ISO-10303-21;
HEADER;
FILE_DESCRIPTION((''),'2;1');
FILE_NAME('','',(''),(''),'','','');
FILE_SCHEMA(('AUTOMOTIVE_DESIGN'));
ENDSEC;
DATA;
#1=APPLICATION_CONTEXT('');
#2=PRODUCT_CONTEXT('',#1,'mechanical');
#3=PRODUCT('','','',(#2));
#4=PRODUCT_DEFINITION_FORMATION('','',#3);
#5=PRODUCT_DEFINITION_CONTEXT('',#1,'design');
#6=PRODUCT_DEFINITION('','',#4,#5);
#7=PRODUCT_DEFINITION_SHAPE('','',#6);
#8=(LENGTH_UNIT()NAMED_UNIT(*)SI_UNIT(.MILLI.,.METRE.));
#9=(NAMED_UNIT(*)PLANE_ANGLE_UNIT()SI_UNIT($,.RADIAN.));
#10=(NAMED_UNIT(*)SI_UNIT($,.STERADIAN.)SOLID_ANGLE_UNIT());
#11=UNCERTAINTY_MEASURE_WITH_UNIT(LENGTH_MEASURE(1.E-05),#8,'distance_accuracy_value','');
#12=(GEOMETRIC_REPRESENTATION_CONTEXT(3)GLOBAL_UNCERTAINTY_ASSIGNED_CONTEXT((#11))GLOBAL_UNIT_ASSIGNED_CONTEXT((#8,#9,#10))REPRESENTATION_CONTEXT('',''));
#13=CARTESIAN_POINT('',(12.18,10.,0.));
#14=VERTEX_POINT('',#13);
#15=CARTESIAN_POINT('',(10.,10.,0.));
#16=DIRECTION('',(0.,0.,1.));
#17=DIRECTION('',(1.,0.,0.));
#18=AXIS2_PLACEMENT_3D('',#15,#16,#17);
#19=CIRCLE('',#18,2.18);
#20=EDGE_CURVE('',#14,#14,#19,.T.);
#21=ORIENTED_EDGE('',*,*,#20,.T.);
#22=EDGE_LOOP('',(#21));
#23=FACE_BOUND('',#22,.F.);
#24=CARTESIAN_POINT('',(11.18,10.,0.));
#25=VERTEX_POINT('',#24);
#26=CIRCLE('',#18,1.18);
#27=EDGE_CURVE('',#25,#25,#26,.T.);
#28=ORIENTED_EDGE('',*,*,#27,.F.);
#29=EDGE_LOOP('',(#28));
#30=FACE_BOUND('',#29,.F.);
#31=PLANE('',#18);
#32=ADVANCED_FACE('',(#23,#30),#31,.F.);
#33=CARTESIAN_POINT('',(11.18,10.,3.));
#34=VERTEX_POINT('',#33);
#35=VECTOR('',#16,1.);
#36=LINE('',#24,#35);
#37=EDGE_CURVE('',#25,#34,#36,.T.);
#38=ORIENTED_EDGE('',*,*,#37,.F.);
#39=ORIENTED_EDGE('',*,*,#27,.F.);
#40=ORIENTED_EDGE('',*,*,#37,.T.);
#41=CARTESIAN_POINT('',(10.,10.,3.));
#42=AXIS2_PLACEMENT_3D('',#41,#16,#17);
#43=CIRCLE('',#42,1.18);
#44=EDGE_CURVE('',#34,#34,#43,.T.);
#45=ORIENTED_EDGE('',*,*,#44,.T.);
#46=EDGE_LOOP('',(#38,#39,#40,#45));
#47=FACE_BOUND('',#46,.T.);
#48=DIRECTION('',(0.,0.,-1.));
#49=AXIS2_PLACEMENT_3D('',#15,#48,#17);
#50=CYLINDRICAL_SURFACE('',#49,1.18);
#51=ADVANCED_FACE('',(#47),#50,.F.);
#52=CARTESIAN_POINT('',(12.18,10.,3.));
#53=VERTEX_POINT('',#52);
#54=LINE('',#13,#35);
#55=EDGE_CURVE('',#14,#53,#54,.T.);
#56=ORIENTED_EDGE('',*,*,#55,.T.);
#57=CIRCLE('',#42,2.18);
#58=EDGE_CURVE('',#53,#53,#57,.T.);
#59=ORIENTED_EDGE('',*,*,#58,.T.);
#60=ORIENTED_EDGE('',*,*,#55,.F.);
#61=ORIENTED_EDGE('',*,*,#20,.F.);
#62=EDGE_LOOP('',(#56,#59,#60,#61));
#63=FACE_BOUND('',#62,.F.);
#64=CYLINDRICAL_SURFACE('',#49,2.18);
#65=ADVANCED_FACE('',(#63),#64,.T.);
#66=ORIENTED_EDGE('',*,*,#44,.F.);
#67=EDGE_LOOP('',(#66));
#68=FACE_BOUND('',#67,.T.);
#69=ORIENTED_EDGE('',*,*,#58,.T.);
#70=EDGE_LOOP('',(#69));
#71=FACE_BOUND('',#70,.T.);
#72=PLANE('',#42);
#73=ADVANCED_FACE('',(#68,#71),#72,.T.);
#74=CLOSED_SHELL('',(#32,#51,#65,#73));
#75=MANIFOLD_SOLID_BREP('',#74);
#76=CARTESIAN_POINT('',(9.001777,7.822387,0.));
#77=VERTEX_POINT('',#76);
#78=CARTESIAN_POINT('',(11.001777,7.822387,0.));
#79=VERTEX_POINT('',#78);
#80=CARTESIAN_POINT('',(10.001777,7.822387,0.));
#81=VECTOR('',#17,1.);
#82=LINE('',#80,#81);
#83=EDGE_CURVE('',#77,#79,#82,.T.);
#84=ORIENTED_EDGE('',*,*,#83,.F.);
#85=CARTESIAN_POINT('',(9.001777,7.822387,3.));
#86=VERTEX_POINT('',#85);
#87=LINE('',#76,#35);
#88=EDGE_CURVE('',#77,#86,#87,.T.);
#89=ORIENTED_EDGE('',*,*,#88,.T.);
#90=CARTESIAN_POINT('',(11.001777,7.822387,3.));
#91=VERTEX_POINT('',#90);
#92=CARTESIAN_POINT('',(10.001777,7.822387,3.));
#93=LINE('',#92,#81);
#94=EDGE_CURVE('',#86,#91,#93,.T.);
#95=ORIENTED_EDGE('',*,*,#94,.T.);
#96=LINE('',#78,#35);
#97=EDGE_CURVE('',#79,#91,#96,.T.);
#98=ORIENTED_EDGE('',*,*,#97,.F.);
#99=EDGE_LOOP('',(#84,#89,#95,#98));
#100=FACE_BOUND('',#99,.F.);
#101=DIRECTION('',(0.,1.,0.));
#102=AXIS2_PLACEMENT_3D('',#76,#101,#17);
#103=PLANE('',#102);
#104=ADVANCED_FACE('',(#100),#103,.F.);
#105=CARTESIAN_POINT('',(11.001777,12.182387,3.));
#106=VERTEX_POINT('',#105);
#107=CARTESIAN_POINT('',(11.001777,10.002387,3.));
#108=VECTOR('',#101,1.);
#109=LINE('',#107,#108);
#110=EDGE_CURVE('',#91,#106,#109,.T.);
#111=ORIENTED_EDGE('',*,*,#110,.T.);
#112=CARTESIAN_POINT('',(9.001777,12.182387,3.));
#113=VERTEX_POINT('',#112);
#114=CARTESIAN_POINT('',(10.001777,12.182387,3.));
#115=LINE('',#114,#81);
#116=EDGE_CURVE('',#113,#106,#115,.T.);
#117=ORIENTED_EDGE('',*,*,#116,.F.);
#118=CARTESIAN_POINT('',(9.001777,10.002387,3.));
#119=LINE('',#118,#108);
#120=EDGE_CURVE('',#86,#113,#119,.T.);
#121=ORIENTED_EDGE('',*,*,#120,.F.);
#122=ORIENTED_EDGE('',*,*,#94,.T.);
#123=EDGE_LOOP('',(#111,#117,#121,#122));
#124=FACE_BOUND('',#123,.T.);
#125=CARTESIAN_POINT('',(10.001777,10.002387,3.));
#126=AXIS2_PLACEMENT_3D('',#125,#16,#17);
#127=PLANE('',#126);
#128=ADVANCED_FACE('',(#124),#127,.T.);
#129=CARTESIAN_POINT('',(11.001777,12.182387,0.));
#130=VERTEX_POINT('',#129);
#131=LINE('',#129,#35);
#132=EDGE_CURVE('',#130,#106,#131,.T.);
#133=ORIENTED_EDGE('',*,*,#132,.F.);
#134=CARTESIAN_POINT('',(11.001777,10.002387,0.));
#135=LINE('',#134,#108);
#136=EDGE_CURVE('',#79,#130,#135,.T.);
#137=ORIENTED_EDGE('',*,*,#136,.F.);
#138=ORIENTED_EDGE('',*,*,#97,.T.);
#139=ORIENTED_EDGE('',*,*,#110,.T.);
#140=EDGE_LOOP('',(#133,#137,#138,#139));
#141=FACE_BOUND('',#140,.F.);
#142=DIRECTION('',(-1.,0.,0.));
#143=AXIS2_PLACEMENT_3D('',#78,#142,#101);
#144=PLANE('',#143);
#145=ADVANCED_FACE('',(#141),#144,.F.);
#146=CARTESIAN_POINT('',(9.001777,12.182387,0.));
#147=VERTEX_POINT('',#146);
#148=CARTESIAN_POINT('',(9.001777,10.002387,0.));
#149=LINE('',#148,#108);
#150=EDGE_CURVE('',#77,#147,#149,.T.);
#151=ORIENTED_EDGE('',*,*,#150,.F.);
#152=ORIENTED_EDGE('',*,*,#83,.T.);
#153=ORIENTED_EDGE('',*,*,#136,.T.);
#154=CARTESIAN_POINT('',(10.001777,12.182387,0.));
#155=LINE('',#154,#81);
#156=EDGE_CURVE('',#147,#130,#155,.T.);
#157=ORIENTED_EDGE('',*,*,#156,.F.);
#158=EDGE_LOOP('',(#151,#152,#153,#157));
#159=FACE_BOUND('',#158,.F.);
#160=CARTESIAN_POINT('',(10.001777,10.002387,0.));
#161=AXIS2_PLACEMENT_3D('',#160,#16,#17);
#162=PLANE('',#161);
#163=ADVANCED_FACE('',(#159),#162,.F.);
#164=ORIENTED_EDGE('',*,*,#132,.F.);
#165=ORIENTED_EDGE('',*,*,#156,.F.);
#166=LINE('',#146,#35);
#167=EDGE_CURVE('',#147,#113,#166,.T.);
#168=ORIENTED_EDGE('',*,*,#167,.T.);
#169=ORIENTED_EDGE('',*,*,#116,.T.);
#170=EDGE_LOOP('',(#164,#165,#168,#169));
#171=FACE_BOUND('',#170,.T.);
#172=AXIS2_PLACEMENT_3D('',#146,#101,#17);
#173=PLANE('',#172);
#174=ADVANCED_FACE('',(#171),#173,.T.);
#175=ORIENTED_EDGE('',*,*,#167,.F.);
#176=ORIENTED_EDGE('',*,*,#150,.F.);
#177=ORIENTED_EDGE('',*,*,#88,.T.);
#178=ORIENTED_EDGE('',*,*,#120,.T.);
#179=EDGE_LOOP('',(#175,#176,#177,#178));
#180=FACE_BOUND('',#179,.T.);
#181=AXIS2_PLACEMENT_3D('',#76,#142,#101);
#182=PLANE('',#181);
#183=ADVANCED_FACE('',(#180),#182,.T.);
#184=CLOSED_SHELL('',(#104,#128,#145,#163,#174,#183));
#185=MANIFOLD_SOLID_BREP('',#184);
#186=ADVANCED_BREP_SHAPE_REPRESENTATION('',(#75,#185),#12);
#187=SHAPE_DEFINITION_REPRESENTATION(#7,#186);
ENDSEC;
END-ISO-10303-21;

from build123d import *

# Parameters (mm, degrees)
SKETCH_R     = 2.18
SKETCH_R_2   = 1.18
PAD_DEPTH    = 3
SKETCH001_W  = 2
SKETCH001_H  = 4.36
PAD001_DEPTH = 3


with BuildPart() as body:
    # Sketch → Pad (new body)
    with BuildSketch(Plane.XY):
        with Locations((10, 10)):
            Circle(SKETCH_R)
        with Locations((10, 10)):
            Circle(SKETCH_R_2, mode=Mode.SUBTRACT)
    extrude(amount=PAD_DEPTH)


with BuildPart() as body001:
    # Sketch001 → Pad001 (new body)
    with BuildSketch(Plane.XY):
        with Locations((10.001777, 10.002387)):
            Rectangle(SKETCH001_W, SKETCH001_H)
    extrude(amount=PAD001_DEPTH)


solid = Compound([body.part, body001.part])
